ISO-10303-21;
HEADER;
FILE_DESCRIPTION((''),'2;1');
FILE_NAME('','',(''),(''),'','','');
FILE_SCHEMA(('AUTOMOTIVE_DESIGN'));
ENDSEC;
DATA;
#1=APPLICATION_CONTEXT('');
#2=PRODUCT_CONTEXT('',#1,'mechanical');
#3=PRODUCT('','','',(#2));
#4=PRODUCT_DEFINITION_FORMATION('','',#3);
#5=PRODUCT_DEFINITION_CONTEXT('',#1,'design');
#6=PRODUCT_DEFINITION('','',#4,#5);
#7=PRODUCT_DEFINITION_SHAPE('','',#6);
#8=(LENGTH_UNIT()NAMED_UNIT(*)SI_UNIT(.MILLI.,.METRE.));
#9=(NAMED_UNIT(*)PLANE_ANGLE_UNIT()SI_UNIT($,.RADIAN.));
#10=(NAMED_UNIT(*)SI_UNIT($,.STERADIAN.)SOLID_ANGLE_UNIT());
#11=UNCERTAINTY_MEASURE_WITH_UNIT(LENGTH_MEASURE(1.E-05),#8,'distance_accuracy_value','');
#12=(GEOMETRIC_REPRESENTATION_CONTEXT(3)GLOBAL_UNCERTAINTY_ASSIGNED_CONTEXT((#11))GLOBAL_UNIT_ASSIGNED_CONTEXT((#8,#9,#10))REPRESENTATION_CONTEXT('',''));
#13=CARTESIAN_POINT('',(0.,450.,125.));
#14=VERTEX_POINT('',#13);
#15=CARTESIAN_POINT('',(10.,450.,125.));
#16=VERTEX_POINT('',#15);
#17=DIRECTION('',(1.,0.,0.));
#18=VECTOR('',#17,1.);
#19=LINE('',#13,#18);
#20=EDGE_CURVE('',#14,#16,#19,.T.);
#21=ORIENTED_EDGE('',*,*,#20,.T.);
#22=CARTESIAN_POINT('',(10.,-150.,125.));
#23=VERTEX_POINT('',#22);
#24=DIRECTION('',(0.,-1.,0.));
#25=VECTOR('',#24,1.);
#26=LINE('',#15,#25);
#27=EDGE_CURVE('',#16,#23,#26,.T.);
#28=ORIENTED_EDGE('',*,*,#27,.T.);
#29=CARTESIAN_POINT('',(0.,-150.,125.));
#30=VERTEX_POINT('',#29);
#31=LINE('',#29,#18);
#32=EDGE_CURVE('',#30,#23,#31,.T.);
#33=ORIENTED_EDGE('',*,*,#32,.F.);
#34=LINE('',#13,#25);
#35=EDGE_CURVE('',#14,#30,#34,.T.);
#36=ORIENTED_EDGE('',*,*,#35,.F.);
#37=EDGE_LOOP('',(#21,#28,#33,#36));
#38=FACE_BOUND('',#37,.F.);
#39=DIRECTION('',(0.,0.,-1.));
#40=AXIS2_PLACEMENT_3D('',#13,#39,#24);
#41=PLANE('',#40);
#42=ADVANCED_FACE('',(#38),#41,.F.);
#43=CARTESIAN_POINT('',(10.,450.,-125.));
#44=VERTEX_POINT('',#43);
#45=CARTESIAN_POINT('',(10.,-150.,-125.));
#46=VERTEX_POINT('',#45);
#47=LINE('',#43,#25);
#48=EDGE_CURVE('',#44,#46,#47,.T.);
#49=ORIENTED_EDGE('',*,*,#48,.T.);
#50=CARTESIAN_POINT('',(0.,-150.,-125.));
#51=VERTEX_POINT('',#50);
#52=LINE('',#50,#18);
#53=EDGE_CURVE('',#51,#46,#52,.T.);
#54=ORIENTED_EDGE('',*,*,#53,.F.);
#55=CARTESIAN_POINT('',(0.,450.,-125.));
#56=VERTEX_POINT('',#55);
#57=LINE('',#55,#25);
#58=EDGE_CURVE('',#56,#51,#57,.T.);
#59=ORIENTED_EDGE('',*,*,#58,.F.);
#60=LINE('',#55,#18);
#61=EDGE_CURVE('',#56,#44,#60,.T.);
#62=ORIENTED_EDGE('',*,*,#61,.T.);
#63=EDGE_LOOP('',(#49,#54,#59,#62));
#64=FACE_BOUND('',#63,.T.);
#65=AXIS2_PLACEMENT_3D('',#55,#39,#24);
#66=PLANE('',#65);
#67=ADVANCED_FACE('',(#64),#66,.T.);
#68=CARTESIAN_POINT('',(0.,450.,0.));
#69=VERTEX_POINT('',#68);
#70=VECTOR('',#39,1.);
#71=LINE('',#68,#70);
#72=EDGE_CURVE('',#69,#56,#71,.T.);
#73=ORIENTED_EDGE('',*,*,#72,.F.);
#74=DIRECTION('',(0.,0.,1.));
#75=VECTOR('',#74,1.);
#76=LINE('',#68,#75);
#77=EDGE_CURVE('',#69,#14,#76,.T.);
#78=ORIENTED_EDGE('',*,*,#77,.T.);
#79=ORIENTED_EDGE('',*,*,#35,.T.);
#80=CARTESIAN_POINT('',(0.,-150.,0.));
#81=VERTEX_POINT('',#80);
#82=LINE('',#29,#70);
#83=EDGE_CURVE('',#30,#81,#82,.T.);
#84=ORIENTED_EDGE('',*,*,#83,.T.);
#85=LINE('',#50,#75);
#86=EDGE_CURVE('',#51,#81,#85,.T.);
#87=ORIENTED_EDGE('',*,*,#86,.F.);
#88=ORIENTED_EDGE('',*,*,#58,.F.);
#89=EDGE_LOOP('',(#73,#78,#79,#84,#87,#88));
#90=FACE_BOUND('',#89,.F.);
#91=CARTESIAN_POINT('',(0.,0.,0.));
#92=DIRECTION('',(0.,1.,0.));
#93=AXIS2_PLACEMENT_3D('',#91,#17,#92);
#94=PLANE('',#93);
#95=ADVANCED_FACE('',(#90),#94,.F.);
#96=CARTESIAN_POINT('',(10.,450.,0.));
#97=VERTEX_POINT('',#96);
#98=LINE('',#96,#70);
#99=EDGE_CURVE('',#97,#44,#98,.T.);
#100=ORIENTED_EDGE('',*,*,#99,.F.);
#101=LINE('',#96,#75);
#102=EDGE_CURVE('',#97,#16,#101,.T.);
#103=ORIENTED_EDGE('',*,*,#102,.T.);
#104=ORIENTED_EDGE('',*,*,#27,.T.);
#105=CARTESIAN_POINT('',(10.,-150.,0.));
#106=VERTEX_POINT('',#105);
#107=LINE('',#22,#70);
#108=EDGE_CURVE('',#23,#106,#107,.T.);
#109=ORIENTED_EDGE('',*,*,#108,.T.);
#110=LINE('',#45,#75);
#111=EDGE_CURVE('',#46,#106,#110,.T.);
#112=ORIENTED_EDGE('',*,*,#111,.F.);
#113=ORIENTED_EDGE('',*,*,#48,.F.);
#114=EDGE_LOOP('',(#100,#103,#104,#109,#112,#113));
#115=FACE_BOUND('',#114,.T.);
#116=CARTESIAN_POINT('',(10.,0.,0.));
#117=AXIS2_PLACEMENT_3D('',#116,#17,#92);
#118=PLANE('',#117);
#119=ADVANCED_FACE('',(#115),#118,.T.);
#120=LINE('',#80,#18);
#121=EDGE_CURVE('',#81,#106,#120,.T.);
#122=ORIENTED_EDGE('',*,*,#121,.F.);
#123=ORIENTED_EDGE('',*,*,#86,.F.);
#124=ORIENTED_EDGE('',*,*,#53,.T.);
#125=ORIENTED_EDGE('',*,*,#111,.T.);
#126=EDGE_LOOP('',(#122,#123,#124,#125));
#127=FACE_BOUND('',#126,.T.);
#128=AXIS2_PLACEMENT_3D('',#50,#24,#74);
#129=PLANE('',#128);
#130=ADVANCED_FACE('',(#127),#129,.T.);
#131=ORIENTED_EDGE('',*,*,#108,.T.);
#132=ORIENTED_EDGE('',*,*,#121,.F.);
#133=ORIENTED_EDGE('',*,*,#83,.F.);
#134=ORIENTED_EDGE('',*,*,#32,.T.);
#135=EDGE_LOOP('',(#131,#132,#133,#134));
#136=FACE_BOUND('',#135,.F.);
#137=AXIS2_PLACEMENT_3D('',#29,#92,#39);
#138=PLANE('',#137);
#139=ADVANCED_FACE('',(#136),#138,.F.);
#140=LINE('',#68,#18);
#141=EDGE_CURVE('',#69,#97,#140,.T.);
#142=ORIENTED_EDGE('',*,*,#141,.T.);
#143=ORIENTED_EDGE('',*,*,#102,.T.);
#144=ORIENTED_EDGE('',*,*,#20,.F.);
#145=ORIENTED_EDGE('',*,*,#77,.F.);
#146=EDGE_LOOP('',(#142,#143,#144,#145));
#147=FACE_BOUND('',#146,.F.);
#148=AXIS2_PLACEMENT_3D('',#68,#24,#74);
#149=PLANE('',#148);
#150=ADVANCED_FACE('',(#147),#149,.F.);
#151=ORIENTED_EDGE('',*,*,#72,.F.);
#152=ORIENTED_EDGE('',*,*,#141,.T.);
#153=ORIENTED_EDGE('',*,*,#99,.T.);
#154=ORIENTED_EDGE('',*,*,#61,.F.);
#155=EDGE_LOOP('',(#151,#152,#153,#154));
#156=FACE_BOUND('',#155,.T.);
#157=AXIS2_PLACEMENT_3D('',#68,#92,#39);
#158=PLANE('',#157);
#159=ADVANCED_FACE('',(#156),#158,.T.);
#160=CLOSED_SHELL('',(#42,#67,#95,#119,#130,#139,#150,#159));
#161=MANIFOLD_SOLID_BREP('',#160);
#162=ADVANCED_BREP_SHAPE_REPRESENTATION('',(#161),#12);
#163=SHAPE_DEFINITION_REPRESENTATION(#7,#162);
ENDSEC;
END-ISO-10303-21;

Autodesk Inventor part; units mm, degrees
ref_plane "YZ Plane" through (0, 0, 0) normal (1, 0, 0) x (0, 1, 0)
ref_plane "XZ Plane" through (0, 0, 0) normal (0, 1, 0) x (-1, 0, 0)
ref_plane "XY Plane" through (0, 0, 0) normal (0, 0, 1) x (1, 0, 0)
sketch "Sketch4" plane through (0, 0, 0) normal (1, 0, 0) x (0, 1, 0)
  line L0 (450, 125) -> (-150, 125)
  line L1 (-150, 125) -> (-150, 0)
  line L2 (450, 0) -> (450, 125)
  line L3 (450, -125) -> (-150, -125)
  line L4 (-150, -125) -> (-150, 0)
  line L5 (450, 0) -> (450, -125)
  point P0 (0, 0)
  point P1 (0, 0)
  dimension "d3" = 600
  dimension "d5" = 150
  dimension "d9" = 250
  dimension "d10" = 125
extrude "Extrusion1" add sketch "Sketch4" along normal blind 10
properties part number "mount_bendPanel"
